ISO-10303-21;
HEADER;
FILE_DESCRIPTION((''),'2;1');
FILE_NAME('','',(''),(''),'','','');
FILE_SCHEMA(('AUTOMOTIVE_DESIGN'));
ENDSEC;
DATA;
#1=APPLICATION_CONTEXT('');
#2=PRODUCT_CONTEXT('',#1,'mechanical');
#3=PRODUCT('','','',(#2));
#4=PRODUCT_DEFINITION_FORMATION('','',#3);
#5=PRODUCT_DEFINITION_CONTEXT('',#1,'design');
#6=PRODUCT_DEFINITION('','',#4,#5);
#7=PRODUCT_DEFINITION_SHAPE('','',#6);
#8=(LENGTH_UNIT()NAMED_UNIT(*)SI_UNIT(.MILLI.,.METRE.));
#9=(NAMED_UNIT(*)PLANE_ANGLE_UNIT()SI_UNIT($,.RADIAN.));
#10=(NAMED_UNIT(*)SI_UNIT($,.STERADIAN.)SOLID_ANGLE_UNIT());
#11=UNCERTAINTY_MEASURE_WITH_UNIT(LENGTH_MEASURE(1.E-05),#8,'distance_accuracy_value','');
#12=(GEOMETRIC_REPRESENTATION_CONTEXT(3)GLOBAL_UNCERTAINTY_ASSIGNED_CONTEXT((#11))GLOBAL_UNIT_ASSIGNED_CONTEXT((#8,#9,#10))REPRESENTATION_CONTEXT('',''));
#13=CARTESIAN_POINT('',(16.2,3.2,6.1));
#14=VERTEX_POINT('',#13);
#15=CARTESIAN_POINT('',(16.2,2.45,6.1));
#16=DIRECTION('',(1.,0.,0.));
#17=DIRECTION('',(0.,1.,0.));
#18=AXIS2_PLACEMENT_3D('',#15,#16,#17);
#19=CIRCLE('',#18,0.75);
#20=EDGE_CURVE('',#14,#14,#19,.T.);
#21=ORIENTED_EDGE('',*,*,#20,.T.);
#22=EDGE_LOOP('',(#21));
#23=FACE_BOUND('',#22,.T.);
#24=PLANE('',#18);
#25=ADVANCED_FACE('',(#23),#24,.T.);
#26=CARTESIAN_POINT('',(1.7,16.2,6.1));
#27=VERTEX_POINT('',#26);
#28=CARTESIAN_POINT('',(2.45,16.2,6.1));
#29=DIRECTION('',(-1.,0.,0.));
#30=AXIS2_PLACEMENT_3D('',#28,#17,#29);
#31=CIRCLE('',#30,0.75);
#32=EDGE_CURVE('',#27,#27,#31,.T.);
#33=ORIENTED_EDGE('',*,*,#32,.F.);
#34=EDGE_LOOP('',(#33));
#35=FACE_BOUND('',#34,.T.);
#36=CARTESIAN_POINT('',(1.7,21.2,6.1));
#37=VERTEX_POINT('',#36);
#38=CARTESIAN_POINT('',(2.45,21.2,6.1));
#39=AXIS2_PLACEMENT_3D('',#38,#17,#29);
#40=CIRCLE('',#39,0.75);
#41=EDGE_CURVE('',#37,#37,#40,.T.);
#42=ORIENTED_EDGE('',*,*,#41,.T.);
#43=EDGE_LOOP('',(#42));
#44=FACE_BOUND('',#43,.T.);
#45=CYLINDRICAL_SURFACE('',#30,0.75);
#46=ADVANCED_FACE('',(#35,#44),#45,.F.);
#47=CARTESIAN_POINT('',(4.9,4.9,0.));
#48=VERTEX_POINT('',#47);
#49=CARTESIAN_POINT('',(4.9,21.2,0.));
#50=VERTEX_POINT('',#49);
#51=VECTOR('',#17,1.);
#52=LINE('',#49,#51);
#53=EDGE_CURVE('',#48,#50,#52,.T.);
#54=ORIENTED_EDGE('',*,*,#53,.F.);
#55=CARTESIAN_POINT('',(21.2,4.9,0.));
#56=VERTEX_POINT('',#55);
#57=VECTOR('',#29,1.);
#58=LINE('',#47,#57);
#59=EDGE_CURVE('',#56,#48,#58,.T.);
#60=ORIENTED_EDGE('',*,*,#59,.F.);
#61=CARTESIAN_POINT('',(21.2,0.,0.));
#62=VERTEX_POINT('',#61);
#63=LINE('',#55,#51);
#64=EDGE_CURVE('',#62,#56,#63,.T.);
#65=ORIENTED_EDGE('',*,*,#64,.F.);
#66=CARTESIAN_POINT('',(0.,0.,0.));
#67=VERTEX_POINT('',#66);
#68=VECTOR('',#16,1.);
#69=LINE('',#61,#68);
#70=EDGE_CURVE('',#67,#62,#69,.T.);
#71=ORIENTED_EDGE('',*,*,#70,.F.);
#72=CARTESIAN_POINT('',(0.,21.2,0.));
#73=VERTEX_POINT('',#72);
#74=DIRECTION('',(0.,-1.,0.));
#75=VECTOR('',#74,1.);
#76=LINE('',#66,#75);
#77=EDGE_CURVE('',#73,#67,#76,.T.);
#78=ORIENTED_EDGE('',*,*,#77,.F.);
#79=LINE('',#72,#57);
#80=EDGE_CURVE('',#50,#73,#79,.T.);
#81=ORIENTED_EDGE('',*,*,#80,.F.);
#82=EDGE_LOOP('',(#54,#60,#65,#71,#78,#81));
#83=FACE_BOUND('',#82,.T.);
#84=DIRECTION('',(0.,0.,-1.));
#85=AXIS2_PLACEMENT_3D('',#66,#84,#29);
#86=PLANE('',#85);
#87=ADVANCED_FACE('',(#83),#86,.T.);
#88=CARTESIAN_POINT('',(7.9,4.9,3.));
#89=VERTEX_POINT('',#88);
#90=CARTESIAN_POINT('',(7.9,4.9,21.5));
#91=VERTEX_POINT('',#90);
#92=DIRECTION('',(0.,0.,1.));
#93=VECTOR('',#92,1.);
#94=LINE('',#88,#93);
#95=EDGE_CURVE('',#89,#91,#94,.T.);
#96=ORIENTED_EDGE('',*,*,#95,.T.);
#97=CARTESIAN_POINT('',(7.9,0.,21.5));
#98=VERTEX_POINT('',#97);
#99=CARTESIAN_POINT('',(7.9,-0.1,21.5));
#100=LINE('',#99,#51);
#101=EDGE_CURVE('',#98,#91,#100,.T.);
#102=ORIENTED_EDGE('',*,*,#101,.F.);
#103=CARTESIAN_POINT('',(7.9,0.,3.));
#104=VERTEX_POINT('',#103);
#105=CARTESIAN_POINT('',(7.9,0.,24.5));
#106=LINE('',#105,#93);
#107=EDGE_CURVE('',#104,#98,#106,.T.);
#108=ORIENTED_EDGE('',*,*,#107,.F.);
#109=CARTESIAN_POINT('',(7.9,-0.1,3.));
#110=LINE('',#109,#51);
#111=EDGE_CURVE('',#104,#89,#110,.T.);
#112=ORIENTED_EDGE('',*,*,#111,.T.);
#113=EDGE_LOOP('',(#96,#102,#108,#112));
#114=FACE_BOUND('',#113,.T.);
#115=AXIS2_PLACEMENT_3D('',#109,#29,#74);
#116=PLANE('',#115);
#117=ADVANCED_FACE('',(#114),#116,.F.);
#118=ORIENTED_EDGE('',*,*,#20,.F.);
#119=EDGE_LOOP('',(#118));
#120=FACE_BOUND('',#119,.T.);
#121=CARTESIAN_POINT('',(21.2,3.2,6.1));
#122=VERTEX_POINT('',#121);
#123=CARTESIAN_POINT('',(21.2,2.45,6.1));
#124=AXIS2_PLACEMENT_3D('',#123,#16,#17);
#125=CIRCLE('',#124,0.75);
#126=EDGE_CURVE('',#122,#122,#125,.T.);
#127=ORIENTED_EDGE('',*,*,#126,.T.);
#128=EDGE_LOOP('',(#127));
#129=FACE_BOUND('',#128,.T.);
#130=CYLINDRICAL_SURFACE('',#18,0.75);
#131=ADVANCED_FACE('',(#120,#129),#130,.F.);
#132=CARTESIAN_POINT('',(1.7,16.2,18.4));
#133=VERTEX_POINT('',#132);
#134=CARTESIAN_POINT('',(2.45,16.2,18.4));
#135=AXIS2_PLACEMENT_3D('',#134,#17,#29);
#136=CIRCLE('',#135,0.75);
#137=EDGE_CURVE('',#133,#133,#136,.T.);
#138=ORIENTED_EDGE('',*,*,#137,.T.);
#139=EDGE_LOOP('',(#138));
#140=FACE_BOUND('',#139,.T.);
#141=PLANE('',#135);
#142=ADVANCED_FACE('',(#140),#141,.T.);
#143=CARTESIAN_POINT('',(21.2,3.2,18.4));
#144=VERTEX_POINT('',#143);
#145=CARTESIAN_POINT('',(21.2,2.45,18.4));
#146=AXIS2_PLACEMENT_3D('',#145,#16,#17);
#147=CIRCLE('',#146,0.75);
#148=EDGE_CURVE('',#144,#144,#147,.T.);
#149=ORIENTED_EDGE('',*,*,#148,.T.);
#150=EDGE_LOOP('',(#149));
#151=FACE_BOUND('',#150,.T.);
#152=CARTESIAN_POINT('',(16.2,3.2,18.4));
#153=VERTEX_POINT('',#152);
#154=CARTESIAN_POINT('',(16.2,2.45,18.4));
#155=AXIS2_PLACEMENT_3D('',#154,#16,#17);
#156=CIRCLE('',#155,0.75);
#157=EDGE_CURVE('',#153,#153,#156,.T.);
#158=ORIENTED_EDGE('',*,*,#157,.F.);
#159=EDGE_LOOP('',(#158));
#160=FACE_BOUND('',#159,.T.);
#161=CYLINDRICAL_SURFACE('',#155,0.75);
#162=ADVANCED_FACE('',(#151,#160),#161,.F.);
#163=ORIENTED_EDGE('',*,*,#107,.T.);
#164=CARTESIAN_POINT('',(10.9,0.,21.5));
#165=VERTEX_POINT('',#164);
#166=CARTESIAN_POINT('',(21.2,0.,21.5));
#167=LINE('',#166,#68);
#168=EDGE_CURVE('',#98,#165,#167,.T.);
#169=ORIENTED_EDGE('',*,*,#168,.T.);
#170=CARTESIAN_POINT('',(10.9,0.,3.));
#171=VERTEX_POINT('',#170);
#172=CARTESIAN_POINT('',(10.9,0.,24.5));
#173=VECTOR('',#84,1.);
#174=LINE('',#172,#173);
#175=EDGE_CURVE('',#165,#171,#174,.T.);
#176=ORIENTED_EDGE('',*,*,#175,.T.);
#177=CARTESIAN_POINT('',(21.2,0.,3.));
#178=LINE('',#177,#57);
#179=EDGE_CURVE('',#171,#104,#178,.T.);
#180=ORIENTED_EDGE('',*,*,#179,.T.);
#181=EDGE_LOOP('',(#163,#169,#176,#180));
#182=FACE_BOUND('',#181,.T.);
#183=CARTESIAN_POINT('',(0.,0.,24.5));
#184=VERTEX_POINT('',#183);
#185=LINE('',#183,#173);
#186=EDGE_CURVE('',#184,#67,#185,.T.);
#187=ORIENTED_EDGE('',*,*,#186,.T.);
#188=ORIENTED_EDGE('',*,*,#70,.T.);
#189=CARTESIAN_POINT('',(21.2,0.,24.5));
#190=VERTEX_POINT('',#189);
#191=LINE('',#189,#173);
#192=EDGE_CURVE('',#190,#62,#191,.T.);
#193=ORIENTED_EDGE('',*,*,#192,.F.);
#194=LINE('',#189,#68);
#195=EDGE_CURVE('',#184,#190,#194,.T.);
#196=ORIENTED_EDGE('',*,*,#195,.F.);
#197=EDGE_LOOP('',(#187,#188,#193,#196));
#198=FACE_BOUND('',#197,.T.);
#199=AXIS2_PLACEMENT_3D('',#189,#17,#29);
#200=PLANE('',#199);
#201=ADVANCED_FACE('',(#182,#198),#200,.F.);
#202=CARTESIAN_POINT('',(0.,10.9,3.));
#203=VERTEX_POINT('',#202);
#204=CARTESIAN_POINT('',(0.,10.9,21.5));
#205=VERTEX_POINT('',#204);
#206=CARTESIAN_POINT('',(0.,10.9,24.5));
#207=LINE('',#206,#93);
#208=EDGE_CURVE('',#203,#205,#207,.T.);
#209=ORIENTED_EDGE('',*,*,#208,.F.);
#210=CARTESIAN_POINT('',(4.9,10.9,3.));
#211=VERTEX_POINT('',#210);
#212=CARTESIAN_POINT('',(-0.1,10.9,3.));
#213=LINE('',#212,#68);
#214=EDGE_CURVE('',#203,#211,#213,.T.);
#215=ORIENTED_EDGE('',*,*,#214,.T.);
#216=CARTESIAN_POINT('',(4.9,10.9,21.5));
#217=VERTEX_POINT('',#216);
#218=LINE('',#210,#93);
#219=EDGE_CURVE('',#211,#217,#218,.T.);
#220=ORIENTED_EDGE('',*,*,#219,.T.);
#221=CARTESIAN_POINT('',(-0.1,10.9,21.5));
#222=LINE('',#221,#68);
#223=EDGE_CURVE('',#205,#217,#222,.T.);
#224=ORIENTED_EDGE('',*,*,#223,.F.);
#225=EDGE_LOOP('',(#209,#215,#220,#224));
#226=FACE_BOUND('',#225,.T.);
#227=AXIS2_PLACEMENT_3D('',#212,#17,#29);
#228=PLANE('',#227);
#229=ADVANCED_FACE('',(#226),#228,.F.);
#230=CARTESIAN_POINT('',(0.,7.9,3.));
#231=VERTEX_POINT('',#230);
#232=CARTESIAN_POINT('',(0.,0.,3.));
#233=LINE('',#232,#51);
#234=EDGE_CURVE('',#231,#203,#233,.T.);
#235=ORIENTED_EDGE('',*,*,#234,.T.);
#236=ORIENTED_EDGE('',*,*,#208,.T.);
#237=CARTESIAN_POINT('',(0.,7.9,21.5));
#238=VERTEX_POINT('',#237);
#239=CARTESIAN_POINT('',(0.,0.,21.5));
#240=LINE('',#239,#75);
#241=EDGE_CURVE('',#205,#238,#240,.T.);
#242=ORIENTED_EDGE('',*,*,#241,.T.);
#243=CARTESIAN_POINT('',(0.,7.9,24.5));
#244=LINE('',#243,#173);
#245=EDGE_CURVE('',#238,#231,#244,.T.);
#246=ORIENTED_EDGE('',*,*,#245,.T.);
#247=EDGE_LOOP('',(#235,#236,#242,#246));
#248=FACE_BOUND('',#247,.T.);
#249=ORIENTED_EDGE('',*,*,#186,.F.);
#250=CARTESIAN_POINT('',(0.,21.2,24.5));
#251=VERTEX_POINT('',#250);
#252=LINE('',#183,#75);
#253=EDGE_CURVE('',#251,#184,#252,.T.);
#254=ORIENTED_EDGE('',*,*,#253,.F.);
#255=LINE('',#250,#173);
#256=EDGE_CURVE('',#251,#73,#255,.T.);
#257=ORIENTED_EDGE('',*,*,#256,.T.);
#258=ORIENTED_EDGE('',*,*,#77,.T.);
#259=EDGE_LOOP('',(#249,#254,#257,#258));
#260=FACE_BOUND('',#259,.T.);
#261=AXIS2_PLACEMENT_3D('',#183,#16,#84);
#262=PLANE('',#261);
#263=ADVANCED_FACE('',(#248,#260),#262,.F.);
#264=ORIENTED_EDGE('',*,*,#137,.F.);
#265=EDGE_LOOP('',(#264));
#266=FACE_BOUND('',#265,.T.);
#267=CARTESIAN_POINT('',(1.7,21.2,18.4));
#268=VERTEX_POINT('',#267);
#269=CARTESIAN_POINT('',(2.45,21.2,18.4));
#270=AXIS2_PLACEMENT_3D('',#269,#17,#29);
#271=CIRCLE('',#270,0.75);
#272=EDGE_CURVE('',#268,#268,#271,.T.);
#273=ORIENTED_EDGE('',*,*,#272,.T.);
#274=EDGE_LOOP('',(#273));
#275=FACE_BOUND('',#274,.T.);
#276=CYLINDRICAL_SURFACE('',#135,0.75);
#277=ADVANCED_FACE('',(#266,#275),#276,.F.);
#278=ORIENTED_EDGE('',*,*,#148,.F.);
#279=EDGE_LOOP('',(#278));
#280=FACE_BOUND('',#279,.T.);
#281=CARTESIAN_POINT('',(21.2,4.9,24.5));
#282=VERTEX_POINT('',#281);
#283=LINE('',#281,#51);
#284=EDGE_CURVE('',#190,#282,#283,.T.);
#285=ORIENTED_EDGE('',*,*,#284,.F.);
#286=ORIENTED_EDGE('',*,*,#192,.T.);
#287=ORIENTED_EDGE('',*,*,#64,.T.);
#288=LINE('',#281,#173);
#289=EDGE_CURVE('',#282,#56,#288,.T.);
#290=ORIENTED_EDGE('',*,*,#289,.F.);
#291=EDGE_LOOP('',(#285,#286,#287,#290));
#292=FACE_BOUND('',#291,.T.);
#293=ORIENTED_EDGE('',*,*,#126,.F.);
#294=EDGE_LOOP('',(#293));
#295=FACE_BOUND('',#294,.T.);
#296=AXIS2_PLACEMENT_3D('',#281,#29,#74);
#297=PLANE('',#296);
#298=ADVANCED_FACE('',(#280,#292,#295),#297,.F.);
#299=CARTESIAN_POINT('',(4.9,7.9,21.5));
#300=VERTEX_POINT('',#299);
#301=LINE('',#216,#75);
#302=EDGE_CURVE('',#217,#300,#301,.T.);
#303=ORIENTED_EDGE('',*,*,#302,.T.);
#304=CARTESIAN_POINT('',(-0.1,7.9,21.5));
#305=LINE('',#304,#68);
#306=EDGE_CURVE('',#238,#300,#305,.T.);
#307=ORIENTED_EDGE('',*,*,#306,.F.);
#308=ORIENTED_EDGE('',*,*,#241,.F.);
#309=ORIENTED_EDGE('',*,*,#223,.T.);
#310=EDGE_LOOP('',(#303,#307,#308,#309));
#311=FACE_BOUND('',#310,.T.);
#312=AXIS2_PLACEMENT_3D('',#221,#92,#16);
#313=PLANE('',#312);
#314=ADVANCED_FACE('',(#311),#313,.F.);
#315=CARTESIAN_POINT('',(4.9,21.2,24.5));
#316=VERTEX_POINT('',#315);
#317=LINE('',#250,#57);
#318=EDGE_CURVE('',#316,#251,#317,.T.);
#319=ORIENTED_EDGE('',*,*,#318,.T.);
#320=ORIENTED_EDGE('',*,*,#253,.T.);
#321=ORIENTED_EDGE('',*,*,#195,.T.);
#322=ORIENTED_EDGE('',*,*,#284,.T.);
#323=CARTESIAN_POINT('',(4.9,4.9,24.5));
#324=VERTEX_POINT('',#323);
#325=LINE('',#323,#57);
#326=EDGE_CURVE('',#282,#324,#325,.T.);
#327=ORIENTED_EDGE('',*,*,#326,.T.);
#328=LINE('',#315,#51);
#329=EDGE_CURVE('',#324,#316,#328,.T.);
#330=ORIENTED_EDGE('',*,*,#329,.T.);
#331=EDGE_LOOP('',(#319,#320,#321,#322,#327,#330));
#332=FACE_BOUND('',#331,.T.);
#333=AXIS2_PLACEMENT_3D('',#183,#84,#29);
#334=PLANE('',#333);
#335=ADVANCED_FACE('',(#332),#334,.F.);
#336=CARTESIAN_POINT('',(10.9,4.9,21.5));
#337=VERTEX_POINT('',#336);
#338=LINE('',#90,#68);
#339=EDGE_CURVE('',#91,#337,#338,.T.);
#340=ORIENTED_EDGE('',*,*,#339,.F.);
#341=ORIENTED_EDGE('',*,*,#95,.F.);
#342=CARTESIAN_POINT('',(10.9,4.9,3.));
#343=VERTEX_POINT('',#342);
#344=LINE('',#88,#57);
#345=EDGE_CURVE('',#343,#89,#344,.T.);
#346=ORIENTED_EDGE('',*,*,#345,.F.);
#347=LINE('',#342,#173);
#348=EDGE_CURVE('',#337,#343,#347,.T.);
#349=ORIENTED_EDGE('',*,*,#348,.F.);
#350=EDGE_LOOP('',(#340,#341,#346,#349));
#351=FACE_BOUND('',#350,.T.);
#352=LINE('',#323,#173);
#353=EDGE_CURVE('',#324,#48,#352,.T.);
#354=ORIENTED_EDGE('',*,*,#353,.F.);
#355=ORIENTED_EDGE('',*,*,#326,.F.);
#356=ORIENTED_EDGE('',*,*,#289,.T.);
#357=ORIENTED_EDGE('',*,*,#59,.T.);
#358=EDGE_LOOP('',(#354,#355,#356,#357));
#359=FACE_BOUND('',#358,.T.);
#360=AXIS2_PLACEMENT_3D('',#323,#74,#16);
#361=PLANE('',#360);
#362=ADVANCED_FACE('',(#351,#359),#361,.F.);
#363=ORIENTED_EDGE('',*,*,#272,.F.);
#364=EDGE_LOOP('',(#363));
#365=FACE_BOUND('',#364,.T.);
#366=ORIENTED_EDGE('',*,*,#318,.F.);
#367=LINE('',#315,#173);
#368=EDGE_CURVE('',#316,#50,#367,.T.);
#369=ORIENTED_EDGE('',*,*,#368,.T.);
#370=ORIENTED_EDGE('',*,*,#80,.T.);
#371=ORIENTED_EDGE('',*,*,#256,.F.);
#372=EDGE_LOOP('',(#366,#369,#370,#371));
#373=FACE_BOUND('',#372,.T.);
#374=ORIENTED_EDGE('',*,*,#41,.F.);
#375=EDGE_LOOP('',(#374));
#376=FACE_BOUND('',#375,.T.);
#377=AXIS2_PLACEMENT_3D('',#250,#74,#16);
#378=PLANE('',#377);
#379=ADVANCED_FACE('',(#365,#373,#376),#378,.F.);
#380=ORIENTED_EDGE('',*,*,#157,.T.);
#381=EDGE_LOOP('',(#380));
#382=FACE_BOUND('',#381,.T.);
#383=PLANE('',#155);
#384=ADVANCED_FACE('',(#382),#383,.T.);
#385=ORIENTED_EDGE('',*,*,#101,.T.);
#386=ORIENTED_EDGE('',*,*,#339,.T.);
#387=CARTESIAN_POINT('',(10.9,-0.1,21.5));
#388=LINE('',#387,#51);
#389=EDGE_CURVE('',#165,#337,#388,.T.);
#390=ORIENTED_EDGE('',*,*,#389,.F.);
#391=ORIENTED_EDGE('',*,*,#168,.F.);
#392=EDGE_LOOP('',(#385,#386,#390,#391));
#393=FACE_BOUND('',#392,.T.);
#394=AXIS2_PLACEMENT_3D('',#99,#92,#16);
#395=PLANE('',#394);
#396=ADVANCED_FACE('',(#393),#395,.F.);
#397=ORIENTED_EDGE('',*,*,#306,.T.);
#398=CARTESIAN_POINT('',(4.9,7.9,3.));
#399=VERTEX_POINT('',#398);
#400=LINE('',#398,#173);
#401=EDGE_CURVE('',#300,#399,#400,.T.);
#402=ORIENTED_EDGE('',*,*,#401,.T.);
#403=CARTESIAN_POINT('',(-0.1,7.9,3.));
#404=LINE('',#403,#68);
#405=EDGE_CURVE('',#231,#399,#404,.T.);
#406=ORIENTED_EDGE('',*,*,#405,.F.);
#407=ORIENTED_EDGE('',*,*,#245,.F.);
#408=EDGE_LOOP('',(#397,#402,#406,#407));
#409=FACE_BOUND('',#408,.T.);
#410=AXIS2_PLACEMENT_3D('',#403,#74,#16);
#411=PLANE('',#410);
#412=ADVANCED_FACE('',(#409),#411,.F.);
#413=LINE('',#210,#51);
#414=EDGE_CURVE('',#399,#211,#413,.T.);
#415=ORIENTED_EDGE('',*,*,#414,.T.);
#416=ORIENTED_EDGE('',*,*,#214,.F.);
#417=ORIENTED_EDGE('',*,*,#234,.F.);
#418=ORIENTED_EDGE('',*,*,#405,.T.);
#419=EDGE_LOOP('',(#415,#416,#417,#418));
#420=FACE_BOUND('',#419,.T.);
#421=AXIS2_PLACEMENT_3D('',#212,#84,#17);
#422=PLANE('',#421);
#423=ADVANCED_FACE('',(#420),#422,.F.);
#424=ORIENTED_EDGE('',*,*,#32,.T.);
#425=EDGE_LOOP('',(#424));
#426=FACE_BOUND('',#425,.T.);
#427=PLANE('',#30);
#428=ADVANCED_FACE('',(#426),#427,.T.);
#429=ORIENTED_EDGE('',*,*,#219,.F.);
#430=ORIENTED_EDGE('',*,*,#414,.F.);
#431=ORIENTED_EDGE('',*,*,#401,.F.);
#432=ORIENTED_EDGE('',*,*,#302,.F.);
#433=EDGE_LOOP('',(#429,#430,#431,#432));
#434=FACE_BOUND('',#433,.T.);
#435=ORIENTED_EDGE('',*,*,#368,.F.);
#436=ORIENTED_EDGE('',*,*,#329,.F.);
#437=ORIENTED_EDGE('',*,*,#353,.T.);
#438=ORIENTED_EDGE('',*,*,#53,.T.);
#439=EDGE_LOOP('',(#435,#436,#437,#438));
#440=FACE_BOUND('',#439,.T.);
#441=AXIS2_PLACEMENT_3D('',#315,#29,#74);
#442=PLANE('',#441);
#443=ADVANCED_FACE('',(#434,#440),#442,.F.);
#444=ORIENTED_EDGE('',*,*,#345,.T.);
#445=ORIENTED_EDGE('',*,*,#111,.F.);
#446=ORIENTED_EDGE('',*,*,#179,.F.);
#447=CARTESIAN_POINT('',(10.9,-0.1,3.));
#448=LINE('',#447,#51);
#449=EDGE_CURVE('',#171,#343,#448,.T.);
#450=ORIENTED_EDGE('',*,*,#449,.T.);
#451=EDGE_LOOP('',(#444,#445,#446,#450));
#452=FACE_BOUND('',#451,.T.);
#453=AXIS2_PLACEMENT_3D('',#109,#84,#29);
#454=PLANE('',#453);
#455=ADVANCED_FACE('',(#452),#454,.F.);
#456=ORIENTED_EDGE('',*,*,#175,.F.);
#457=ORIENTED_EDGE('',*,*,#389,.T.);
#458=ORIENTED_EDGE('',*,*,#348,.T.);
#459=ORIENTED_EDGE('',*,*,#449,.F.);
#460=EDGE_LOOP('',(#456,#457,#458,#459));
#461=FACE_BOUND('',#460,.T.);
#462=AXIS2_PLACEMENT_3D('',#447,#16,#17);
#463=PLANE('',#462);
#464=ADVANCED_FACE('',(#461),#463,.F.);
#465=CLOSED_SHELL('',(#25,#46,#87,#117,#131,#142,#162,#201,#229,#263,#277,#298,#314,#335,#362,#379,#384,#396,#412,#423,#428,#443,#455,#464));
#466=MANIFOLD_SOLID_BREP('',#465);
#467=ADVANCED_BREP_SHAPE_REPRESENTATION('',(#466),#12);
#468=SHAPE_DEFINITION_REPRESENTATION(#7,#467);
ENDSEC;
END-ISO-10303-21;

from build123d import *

# Parameters (mm, degrees)
EXTRUDE_1_DEPTH     = 24.5
SKETCH_2_R          = 0.75
CUT_EXTRUDE_1_DEPTH = 5
SKETCH_3_R          = 0.75
CUT_EXTRUDE_2_DEPTH = 5
SKETCH_4_W          = 3
SKETCH_4_H          = 18.5
CUT_EXTRUDE_3_DEPTH = 5
SKETCH_5_W          = 18.5
SKETCH_5_H          = 3
CUT_EXTRUDE_4_DEPTH = 5


with BuildPart() as part:
    # 草圖1 → 填料-伸長1 (new body)
    with BuildSketch(Plane.XY):
        Polygon((0, 0), (0, 21.2), (4.9, 21.2), (4.9, 4.9), (21.2, 4.9), (21.2, 0), align=None)
    extrude(amount=EXTRUDE_1_DEPTH)

    # 草圖2 → 除料-伸長1 (cut)
    with BuildSketch(Plane(origin=(21.2, 0, 0), x_dir=(0, 0, -1), z_dir=(1, 0, 0))):
        with Locations(Location((-6.1, 2.45, 0), (0, 0, 90))):
            Circle(SKETCH_2_R)
        with Locations(Location((-18.4, 2.45, 0), (0, 0, 90))):
            Circle(SKETCH_2_R)
    extrude(amount=-CUT_EXTRUDE_1_DEPTH, mode=Mode.SUBTRACT)

    # 草圖3 → 除料-伸長2 (cut)
    with BuildSketch(Plane(origin=(0, 21.2, 0), x_dir=(1, 0, 0), z_dir=(0, 1, 0))):
        with Locations(Location((2.45, -6.1, 0), (0, 0, 180))):
            Circle(SKETCH_3_R)
        with Locations(Location((2.45, -18.4, 0), (0, 0, 180))):
            Circle(SKETCH_3_R)
    extrude(amount=-CUT_EXTRUDE_2_DEPTH, mode=Mode.SUBTRACT)

    # 草圖4 → 除料-伸長3 (cut)
    with BuildSketch(Plane(origin=(0, 4.9, 0), x_dir=(-1, 0, 0), z_dir=(0, 1, 0))):
        with Locations((-9.4, 12.25)):
            Rectangle(SKETCH_4_W, SKETCH_4_H)
    extrude(amount=-CUT_EXTRUDE_3_DEPTH, mode=Mode.SUBTRACT)

    # 草圖5 → 除料-伸長4 (cut)
    with BuildSketch(Plane(origin=(4.9, 0, 0), x_dir=(0, 0, -1), z_dir=(1, 0, 0))):
        with Locations((-12.25, 9.4)):
            Rectangle(SKETCH_5_W, SKETCH_5_H)
    extrude(amount=-CUT_EXTRUDE_4_DEPTH, mode=Mode.SUBTRACT)


solid = part.part
